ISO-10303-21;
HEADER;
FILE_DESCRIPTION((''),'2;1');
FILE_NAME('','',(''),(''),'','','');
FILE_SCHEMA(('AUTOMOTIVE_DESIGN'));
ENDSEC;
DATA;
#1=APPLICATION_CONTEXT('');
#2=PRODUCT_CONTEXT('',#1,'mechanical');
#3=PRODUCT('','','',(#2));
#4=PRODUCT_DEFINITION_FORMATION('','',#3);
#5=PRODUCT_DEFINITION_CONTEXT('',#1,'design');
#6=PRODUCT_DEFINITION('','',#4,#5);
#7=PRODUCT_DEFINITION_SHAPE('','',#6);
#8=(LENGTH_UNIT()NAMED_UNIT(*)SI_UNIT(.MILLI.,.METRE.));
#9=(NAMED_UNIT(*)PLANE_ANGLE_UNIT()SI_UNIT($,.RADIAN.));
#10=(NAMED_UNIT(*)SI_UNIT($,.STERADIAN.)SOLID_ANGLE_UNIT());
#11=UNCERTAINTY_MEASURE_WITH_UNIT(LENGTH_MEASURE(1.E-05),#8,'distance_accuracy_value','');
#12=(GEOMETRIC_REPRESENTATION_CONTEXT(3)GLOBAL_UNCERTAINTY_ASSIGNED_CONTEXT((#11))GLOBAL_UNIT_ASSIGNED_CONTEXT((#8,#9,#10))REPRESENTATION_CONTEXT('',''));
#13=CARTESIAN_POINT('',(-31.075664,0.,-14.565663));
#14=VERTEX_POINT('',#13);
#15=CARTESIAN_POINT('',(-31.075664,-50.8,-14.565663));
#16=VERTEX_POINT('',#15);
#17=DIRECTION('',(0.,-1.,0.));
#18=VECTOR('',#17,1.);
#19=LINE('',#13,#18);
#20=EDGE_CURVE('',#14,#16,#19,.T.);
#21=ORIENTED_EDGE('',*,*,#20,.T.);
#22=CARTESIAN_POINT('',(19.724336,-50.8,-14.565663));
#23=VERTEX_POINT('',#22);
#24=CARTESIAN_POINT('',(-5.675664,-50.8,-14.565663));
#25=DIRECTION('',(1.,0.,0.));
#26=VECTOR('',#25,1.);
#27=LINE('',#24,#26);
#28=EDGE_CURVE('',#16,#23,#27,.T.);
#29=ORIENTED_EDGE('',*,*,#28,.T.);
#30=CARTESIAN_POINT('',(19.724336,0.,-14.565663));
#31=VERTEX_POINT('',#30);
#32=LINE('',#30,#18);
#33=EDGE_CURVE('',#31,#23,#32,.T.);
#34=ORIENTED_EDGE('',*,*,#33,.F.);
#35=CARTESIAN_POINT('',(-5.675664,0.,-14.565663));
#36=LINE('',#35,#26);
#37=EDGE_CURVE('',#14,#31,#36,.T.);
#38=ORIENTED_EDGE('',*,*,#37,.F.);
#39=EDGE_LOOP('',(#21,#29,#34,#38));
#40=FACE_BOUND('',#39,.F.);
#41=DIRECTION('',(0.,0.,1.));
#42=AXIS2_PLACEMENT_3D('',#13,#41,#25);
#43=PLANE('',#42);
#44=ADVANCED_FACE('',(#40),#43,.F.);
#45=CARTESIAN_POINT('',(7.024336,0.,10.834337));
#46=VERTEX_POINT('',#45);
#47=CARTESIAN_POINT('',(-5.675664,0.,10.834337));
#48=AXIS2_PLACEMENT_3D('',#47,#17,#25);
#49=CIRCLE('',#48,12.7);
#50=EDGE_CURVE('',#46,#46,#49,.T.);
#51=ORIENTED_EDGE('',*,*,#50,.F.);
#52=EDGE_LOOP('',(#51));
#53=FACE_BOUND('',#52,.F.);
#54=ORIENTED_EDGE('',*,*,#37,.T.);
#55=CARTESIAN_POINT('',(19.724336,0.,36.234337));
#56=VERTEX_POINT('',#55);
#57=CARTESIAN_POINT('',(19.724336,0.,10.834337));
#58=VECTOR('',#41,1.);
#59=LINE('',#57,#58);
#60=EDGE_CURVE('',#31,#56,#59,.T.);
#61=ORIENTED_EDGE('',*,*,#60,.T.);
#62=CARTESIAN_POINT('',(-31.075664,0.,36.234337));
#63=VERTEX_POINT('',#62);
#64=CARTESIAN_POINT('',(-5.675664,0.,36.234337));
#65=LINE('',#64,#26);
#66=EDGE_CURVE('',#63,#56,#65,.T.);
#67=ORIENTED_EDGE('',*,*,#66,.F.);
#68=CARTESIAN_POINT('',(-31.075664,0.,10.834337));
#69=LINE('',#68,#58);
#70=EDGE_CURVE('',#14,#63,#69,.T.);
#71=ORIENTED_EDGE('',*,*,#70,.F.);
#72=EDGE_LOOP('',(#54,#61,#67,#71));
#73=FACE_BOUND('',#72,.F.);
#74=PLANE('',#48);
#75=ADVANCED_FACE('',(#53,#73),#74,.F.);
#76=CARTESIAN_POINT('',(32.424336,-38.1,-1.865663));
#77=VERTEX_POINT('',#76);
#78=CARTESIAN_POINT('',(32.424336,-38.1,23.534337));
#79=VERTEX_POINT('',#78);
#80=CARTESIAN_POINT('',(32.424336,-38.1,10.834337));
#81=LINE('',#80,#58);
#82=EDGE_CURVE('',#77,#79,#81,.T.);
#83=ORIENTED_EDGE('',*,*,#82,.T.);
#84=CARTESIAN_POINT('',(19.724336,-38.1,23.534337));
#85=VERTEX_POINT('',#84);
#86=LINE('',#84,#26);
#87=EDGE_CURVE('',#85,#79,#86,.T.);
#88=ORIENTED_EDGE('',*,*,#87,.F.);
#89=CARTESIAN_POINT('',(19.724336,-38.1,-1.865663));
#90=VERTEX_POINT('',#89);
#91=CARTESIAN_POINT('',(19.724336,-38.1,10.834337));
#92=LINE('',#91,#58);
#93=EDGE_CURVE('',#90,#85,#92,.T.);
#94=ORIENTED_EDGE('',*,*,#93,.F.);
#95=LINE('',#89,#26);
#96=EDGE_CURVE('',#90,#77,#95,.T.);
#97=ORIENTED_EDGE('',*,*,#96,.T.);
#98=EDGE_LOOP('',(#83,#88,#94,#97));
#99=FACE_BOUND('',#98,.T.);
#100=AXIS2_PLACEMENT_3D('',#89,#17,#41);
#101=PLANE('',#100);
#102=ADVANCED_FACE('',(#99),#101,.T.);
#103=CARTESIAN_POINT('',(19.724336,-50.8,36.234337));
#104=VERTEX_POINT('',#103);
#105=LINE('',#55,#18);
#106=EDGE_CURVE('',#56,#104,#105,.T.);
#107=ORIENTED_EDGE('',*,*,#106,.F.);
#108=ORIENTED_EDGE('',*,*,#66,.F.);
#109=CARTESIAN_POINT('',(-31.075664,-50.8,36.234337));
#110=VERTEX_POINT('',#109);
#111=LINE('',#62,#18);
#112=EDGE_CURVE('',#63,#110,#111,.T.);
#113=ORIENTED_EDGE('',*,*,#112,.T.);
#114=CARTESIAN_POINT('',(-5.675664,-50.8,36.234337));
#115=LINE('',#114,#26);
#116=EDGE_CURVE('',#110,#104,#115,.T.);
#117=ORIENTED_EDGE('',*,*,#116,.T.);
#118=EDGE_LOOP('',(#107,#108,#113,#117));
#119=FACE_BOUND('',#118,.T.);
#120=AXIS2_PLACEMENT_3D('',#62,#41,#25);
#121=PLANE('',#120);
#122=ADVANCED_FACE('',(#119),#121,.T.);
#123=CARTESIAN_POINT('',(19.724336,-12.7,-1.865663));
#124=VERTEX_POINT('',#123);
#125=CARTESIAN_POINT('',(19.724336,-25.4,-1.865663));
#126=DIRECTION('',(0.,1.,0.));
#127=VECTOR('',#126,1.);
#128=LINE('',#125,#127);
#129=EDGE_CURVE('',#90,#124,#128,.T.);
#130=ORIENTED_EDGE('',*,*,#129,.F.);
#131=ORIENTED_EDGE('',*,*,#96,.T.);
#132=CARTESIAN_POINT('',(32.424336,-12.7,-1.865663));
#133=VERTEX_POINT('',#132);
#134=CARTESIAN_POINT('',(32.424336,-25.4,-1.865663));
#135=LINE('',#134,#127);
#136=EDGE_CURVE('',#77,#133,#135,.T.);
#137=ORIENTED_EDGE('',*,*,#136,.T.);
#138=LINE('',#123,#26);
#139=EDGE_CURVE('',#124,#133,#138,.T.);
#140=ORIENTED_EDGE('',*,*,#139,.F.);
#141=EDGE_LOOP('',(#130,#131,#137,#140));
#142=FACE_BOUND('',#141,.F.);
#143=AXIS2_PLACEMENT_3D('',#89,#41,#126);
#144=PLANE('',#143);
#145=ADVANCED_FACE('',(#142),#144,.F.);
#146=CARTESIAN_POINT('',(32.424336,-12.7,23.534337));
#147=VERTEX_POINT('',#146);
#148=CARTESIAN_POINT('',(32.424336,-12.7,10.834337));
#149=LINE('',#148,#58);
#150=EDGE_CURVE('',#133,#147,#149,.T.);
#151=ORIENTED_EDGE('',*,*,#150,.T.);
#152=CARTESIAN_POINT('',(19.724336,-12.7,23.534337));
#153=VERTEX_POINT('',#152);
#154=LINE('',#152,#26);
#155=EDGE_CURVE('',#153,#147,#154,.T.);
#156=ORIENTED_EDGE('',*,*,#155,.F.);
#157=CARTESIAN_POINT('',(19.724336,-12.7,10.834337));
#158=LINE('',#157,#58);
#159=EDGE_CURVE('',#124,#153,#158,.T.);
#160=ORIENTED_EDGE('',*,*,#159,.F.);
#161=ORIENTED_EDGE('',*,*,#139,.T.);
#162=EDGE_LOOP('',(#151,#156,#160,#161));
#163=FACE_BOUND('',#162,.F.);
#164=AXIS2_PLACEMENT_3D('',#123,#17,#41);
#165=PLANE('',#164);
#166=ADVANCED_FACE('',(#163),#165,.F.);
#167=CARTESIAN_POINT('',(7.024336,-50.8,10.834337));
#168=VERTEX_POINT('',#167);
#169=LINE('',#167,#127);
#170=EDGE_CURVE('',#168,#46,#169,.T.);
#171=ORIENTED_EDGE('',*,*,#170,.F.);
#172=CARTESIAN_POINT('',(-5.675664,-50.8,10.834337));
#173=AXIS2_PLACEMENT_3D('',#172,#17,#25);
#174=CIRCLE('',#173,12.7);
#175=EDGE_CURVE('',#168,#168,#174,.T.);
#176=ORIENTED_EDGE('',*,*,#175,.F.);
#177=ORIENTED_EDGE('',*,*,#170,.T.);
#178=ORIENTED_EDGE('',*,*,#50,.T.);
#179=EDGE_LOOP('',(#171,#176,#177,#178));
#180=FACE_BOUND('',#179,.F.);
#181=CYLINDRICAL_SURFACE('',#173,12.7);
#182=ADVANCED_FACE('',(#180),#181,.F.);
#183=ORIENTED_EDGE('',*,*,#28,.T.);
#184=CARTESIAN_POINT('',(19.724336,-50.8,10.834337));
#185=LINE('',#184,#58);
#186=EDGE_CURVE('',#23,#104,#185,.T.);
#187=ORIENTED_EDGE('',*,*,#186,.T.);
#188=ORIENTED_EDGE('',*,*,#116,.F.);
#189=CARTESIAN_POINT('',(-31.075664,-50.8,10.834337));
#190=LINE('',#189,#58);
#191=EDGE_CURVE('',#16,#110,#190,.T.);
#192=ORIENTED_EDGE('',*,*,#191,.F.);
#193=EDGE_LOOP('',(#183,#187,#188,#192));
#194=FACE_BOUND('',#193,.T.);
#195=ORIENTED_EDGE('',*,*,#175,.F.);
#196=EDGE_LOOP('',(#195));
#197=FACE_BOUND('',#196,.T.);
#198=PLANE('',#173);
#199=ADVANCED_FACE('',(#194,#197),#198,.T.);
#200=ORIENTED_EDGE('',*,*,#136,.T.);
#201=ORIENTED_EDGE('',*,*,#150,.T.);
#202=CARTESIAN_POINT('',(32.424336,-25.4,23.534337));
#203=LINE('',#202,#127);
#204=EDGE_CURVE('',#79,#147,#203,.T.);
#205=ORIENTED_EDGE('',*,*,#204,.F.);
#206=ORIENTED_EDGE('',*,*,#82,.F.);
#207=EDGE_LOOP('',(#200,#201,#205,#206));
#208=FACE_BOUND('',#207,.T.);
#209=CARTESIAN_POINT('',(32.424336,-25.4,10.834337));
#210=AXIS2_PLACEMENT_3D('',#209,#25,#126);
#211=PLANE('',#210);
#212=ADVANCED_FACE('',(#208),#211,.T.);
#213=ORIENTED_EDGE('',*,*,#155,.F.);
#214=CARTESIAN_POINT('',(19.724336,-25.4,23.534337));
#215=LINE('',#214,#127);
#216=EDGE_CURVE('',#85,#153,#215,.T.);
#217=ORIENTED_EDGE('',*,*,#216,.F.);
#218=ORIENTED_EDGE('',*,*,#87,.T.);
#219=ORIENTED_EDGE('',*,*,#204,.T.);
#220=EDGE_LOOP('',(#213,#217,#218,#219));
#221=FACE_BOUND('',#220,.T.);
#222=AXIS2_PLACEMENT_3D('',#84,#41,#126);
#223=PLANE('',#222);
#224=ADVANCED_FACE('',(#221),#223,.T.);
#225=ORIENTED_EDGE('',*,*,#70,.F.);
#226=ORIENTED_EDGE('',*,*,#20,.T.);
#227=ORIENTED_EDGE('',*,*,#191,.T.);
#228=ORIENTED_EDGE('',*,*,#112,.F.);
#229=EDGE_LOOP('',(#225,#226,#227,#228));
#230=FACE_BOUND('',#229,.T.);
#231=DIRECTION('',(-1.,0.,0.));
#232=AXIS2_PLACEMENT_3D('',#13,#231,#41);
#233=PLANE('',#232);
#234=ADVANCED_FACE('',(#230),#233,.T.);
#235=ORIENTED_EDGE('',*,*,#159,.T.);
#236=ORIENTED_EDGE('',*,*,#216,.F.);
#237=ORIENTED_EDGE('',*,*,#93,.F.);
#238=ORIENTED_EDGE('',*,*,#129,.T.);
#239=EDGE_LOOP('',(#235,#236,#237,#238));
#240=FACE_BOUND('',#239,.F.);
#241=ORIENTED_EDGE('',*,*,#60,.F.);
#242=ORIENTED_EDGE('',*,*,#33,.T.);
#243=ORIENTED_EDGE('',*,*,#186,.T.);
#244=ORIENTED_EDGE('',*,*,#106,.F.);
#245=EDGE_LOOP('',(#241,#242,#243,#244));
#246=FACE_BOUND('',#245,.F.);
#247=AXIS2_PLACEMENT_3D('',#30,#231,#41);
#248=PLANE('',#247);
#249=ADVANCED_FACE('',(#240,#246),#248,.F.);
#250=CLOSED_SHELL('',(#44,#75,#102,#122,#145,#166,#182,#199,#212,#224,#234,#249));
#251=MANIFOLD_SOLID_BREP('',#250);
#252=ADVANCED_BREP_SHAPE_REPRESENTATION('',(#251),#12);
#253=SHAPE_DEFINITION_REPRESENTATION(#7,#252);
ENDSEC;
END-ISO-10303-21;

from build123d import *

# Parameters (mm, degrees)
F0_W     = 50.8
F0_H     = 50.8
F1_DEPTH = 50.8
F2_R     = 12.7
F3_DEPTH = 50.8
F4_W     = 25.4
F4_H     = 25.4
F5_DEPTH = 12.7


with BuildPart() as f1:
    # F0 (on Front) → F1 (new body)
    with BuildSketch(Plane.XZ):
        with Locations((-5.675664, 10.834337)):
            Rectangle(F0_W, F0_H)
    extrude(amount=F1_DEPTH)

    # F2 (on face) → F3 (cut)
    with BuildSketch(Plane.XZ.offset(50.8)):
        with Locations((-5.675664, 10.834337)):
            Circle(F2_R)
    extrude(amount=-F3_DEPTH, mode=Mode.SUBTRACT)

    # F4 (on face) → F5 (join)
    with BuildSketch(Plane.YZ.offset(19.724336)):
        with Locations((-25.4, 10.834337)):
            Rectangle(F4_W, F4_H)
    extrude(amount=F5_DEPTH)


solid = f1.part
